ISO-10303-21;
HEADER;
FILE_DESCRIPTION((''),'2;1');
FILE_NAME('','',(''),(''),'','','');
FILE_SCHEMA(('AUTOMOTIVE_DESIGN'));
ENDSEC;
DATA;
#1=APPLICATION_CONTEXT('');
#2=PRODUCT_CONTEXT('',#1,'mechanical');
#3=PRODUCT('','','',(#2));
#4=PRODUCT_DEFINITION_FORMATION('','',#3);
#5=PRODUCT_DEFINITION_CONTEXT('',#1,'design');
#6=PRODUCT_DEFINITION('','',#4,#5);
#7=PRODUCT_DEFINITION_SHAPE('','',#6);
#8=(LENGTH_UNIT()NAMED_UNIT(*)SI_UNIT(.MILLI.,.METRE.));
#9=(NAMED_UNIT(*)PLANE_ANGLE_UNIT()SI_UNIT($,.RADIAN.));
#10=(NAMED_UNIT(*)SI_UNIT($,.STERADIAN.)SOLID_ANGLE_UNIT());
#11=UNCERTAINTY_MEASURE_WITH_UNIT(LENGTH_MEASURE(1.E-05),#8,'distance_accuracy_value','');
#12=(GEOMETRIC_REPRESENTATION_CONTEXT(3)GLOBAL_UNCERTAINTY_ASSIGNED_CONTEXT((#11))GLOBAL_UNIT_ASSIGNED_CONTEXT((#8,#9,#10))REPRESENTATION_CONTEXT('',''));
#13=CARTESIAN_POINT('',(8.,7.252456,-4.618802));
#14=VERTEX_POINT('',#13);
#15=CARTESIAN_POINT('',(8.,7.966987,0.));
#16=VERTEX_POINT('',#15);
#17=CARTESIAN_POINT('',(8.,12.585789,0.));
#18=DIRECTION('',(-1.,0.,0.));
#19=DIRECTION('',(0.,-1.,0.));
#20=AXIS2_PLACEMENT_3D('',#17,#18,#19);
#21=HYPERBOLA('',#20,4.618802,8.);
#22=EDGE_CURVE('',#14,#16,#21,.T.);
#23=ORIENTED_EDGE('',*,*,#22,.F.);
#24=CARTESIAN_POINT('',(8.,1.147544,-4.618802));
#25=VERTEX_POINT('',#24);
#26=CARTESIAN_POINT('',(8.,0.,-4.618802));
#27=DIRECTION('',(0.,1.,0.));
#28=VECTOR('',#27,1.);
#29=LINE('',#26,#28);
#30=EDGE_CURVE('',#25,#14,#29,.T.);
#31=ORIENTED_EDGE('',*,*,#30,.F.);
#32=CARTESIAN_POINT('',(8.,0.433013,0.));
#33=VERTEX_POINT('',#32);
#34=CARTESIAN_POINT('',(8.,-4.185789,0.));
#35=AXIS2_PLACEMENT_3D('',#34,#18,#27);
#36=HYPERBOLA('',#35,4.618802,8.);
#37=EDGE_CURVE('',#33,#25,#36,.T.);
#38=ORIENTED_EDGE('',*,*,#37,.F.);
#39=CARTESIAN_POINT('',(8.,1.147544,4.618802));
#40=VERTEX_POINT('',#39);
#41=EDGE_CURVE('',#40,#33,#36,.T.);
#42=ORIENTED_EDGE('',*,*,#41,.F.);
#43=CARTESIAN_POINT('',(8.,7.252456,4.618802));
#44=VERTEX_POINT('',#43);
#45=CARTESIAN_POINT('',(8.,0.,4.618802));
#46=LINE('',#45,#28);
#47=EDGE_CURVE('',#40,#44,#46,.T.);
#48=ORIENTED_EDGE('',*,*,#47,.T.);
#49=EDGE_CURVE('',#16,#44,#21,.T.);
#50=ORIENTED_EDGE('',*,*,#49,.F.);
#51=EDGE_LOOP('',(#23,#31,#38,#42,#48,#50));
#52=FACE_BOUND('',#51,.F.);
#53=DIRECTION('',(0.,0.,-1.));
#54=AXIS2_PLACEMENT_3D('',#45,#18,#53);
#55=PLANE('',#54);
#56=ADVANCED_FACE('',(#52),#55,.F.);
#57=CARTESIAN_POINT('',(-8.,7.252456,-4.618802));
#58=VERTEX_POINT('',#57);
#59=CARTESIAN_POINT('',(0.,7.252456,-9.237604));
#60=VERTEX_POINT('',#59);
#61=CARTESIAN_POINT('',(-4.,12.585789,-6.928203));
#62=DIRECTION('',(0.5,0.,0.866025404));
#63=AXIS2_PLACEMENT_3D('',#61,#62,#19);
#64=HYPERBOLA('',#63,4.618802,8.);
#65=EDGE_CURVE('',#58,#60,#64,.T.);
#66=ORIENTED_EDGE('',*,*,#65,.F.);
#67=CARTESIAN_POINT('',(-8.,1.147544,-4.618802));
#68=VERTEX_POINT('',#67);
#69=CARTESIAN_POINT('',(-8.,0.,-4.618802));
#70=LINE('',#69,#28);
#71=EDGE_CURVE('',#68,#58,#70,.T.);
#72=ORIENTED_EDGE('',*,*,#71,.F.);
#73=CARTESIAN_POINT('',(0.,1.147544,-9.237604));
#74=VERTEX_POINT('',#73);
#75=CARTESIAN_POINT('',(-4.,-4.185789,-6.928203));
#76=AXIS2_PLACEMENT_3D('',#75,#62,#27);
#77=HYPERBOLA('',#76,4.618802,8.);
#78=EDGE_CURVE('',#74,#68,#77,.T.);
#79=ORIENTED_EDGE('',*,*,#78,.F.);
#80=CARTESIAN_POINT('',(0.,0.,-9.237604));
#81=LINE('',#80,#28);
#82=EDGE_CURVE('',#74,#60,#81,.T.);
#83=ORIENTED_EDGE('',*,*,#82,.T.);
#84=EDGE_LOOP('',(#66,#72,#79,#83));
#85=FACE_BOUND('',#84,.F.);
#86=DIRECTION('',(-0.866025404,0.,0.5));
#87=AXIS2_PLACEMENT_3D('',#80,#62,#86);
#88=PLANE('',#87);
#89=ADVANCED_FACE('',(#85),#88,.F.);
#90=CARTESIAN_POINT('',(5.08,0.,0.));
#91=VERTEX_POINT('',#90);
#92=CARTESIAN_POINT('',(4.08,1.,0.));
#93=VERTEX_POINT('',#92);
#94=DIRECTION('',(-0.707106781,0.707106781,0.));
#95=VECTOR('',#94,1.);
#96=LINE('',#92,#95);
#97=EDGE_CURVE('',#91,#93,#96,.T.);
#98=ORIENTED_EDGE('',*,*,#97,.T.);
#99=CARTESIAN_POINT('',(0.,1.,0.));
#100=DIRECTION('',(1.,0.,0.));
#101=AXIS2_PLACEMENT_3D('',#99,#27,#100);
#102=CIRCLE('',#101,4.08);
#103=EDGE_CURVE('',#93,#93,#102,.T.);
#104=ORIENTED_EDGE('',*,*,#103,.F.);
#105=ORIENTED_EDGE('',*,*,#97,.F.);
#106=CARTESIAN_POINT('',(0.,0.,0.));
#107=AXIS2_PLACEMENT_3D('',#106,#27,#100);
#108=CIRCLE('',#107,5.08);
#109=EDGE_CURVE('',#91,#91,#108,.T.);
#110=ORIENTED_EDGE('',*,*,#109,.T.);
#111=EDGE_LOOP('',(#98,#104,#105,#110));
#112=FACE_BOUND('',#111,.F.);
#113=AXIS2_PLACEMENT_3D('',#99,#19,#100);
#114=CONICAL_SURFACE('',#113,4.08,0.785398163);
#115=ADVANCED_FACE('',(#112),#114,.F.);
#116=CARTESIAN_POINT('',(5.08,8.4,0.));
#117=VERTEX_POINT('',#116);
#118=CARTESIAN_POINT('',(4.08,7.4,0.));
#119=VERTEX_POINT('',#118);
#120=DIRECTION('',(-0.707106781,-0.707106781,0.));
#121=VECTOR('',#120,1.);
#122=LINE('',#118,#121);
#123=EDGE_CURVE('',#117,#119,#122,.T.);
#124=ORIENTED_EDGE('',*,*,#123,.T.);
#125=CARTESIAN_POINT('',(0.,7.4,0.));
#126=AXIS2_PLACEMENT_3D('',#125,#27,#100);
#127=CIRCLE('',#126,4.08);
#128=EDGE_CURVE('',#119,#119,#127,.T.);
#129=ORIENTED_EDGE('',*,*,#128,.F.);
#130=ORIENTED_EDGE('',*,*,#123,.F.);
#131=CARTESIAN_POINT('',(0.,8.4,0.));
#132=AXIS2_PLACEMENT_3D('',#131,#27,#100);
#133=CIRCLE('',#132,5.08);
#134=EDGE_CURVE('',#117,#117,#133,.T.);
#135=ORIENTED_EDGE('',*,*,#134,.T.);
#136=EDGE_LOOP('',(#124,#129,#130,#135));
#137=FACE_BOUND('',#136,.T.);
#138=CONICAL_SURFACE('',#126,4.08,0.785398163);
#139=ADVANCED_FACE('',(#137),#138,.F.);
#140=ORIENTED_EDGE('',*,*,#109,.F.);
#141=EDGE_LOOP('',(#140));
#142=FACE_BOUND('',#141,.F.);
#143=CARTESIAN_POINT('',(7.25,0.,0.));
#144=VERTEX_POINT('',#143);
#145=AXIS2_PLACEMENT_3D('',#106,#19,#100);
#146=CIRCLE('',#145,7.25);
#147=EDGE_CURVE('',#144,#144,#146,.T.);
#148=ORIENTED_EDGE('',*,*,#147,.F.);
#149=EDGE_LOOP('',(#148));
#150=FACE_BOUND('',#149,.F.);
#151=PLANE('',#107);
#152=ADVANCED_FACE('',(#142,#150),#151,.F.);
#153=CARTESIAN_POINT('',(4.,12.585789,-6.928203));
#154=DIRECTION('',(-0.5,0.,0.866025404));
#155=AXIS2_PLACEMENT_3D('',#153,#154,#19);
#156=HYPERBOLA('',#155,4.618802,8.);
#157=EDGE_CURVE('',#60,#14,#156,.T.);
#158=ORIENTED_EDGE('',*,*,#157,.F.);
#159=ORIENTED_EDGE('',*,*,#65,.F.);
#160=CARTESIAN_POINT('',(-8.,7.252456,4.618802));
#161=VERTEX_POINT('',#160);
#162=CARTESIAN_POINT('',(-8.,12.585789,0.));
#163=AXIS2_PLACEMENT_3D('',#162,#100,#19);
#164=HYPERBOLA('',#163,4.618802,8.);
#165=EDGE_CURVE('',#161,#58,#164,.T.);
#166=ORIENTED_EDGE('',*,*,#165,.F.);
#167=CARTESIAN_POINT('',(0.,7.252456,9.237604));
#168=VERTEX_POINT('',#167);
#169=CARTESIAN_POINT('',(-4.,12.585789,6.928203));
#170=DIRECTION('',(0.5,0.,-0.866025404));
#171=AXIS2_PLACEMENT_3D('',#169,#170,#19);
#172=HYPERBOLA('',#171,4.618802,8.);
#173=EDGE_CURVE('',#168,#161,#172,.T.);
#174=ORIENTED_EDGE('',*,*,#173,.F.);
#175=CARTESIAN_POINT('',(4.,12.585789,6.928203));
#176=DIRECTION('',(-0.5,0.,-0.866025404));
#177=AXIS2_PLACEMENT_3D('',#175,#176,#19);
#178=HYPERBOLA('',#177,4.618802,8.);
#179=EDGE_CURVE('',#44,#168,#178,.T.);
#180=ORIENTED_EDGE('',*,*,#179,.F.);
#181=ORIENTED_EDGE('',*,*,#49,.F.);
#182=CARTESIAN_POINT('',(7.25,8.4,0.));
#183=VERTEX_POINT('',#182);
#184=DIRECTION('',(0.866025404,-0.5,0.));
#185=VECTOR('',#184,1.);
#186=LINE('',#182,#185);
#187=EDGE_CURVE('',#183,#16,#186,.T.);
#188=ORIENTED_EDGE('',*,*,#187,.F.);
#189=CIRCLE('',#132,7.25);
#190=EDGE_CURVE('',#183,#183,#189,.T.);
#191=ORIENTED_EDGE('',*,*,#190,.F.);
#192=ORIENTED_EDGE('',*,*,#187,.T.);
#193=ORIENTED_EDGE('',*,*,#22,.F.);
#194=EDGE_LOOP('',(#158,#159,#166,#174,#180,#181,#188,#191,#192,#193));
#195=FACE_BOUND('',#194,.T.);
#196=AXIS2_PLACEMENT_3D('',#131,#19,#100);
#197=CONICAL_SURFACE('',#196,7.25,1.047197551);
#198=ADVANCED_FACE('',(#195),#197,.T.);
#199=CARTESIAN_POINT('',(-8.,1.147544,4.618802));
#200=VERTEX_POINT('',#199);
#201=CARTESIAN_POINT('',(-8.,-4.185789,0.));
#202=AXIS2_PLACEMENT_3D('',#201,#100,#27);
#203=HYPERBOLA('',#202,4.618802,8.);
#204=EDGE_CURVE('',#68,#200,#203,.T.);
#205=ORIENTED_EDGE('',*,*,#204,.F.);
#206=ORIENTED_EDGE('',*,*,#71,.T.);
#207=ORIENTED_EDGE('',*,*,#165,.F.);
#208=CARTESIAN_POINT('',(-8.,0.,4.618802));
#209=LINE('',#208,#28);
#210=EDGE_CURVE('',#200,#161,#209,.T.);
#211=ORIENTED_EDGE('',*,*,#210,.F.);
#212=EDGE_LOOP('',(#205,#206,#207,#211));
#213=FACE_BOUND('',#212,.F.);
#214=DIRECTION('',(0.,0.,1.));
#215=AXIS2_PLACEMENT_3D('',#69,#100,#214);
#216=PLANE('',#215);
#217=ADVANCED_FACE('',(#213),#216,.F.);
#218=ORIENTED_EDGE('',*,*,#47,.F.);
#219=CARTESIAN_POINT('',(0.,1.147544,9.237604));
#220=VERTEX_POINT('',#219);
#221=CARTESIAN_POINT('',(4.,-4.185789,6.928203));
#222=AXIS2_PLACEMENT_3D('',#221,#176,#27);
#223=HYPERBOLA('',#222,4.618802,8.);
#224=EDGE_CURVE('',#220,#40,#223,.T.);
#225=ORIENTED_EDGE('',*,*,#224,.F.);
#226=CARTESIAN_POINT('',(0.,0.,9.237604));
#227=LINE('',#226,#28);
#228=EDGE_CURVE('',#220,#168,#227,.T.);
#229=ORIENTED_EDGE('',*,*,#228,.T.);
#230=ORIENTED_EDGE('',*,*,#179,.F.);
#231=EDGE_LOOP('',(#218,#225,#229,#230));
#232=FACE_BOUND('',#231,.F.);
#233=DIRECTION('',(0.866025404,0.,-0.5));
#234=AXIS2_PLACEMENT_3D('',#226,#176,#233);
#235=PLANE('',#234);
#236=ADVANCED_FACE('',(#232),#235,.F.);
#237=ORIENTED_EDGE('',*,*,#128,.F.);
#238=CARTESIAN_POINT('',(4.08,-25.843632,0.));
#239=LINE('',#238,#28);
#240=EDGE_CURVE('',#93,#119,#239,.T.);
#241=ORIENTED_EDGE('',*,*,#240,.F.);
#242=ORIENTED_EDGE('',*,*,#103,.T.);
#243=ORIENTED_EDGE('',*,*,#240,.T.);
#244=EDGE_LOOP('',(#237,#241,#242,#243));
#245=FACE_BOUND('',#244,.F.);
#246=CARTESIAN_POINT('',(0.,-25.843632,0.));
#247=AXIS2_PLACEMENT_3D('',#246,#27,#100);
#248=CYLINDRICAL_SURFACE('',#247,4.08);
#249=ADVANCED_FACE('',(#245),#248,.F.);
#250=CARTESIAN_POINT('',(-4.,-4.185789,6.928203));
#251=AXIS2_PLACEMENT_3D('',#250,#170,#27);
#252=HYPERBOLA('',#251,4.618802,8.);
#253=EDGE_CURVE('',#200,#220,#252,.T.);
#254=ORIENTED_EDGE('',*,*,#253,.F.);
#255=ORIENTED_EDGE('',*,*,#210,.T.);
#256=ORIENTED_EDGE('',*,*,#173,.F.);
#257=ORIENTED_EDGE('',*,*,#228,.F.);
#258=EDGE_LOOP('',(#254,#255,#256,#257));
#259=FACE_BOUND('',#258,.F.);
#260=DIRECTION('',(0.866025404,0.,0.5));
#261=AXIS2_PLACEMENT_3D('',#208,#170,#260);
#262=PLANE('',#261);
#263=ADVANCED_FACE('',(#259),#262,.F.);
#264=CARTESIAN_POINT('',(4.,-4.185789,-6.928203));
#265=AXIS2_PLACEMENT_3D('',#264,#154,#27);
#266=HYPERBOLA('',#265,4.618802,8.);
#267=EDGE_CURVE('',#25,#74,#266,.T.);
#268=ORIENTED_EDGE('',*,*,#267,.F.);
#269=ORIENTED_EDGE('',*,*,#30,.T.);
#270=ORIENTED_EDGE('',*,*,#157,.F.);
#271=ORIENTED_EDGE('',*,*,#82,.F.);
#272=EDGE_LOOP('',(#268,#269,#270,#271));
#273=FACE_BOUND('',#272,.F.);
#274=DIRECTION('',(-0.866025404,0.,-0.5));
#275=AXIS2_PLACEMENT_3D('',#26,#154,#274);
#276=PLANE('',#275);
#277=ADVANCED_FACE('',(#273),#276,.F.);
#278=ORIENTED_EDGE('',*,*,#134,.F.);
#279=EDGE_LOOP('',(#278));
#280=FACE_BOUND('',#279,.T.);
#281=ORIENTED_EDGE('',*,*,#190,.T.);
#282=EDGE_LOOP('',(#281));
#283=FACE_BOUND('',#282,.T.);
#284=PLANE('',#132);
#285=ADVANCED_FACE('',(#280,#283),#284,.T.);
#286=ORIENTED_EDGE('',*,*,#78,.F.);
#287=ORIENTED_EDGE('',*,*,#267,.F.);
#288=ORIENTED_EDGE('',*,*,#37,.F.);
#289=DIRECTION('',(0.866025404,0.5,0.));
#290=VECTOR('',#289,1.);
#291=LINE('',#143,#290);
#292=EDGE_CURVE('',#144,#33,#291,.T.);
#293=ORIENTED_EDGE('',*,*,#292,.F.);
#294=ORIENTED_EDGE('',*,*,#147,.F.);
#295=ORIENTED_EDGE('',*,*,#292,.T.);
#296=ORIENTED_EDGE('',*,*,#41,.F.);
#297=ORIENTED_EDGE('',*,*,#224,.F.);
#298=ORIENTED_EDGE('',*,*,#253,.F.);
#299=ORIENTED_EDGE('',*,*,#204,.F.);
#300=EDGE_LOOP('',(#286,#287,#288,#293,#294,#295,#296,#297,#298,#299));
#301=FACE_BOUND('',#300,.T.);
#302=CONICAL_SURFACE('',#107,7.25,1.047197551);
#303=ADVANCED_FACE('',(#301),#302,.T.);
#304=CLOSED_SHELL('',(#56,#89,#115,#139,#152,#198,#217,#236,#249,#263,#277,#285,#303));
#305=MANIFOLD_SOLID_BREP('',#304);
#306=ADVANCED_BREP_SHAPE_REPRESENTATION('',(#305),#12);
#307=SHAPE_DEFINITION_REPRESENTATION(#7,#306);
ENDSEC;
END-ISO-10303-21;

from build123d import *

# Parameters (mm, degrees)
EXTRUDE_1_DEPTH     = 8.4
M10X1_51_D          = 8.16
CHAMFER_1_SIZE      = 1
SKETCH_5_OUTSIDE_W  = 78.002
SKETCH_5_OUTSIDE_H  = 80.478
SKETCH_5_OUTSIDE_R  = 7.25
CUT_EXTRUDE_1_DEPTH = 15.828800806
CUT_EXTRUDE_1_DRAFT = -60
SKETCH_6_OUTSIDE_W  = 78.002
SKETCH_6_OUTSIDE_H  = 80.478
SKETCH_6_OUTSIDE_R  = 7.25
CUT_EXTRUDE_2_DEPTH = 15.828800806
CUT_EXTRUDE_2_DRAFT = -60


with BuildPart() as part:
    # Эскиз1 → Бобышка-Вытянуть1 (new body)
    with BuildSketch(Plane(origin=(0, 0, 0), x_dir=(1, 0, 0), z_dir=(0, 1, 0))):
        Polygon((0, 9.237604307), (-8, 4.618802154), (-8, -4.618802154), (0, -9.237604307), (8, -4.618802154), (8, 4.618802154), align=None)
    extrude(amount=EXTRUDE_1_DEPTH)

    # Отверстие обработанное метчиком M10x1.51 (through all)
    with Locations(Plane(origin=(0, 0, 0), x_dir=(-1, 0, 0), z_dir=(0, -1, 0))):
        with Locations((0, 0)):
            Hole(M10X1_51_D / 2)

    # Фаска1
    chamfer_1_edges = [part.edges().sort_by_distance(p)[0] for p in [
        (-4.08, 0, 0),
        (-4.08, 8.4, 0),
    ]]
    chamfer(chamfer_1_edges, length=CHAMFER_1_SIZE)


with BuildPart() as cut_extrude_1_tool:
    # Эскиз5 outside → Вырез-Вытянуть1 (with draft: the straight prism first)
    with BuildSketch(Plane.XZ):
        Rectangle(SKETCH_5_OUTSIDE_W, SKETCH_5_OUTSIDE_H)
        Circle(SKETCH_5_OUTSIDE_R, mode=Mode.SUBTRACT)
    extrude(amount=-CUT_EXTRUDE_1_DEPTH)
    # Вырез-Вытянуть1: the draft: its side faces are tilted about the plane it starts from
    cut_extrude_1_sides = [cut_extrude_1_tool.faces().sort_by_distance(p)[0] for p in [
        (0, 7.914400403, -40.239),
        (39.001, 7.914400403, 0),
        (0, 7.914400403, 40.239),
        (-39.001, 7.914400403, 0),
        (-7.25, 7.914400403, 0),
    ]]
    draft(cut_extrude_1_sides, Plane.XZ, CUT_EXTRUDE_1_DRAFT)


with BuildPart() as part_1:
    add(part.part)

    # Вырез-Вытянуть1: cut by cut_extrude_1_tool
    add(cut_extrude_1_tool.part, mode=Mode.SUBTRACT)


with BuildPart() as cut_extrude_2_tool:
    # Эскиз6 outside → Вырез-Вытянуть2 (with draft: the straight prism first)
    with BuildSketch(Plane(origin=(0, 8.4, 0), x_dir=(1, 0, 0), z_dir=(0, 1, 0))):
        Rectangle(SKETCH_6_OUTSIDE_W, SKETCH_6_OUTSIDE_H)
        Circle(SKETCH_6_OUTSIDE_R, mode=Mode.SUBTRACT)
    extrude(amount=-CUT_EXTRUDE_2_DEPTH)
    # Вырез-Вытянуть2: the draft: its side faces are tilted about the plane it starts from
    cut_extrude_2_sides = [cut_extrude_2_tool.faces().sort_by_distance(p)[0] for p in [
        (0, 0.485599597, 40.239),
        (39.001, 0.485599597, 0),
        (0, 0.485599597, -40.239),
        (-39.001, 0.485599597, 0),
        (-7.25, 0.485599597, 0),
    ]]
    draft(cut_extrude_2_sides, Plane(origin=(0, 8.4, 0), x_dir=(1, 0, 0), z_dir=(0, 1, 0)), CUT_EXTRUDE_2_DRAFT)


with BuildPart() as part_2:
    add(part_1.part)

    # Вырез-Вытянуть2: cut by cut_extrude_2_tool
    add(cut_extrude_2_tool.part, mode=Mode.SUBTRACT)


solid = part_2.part
